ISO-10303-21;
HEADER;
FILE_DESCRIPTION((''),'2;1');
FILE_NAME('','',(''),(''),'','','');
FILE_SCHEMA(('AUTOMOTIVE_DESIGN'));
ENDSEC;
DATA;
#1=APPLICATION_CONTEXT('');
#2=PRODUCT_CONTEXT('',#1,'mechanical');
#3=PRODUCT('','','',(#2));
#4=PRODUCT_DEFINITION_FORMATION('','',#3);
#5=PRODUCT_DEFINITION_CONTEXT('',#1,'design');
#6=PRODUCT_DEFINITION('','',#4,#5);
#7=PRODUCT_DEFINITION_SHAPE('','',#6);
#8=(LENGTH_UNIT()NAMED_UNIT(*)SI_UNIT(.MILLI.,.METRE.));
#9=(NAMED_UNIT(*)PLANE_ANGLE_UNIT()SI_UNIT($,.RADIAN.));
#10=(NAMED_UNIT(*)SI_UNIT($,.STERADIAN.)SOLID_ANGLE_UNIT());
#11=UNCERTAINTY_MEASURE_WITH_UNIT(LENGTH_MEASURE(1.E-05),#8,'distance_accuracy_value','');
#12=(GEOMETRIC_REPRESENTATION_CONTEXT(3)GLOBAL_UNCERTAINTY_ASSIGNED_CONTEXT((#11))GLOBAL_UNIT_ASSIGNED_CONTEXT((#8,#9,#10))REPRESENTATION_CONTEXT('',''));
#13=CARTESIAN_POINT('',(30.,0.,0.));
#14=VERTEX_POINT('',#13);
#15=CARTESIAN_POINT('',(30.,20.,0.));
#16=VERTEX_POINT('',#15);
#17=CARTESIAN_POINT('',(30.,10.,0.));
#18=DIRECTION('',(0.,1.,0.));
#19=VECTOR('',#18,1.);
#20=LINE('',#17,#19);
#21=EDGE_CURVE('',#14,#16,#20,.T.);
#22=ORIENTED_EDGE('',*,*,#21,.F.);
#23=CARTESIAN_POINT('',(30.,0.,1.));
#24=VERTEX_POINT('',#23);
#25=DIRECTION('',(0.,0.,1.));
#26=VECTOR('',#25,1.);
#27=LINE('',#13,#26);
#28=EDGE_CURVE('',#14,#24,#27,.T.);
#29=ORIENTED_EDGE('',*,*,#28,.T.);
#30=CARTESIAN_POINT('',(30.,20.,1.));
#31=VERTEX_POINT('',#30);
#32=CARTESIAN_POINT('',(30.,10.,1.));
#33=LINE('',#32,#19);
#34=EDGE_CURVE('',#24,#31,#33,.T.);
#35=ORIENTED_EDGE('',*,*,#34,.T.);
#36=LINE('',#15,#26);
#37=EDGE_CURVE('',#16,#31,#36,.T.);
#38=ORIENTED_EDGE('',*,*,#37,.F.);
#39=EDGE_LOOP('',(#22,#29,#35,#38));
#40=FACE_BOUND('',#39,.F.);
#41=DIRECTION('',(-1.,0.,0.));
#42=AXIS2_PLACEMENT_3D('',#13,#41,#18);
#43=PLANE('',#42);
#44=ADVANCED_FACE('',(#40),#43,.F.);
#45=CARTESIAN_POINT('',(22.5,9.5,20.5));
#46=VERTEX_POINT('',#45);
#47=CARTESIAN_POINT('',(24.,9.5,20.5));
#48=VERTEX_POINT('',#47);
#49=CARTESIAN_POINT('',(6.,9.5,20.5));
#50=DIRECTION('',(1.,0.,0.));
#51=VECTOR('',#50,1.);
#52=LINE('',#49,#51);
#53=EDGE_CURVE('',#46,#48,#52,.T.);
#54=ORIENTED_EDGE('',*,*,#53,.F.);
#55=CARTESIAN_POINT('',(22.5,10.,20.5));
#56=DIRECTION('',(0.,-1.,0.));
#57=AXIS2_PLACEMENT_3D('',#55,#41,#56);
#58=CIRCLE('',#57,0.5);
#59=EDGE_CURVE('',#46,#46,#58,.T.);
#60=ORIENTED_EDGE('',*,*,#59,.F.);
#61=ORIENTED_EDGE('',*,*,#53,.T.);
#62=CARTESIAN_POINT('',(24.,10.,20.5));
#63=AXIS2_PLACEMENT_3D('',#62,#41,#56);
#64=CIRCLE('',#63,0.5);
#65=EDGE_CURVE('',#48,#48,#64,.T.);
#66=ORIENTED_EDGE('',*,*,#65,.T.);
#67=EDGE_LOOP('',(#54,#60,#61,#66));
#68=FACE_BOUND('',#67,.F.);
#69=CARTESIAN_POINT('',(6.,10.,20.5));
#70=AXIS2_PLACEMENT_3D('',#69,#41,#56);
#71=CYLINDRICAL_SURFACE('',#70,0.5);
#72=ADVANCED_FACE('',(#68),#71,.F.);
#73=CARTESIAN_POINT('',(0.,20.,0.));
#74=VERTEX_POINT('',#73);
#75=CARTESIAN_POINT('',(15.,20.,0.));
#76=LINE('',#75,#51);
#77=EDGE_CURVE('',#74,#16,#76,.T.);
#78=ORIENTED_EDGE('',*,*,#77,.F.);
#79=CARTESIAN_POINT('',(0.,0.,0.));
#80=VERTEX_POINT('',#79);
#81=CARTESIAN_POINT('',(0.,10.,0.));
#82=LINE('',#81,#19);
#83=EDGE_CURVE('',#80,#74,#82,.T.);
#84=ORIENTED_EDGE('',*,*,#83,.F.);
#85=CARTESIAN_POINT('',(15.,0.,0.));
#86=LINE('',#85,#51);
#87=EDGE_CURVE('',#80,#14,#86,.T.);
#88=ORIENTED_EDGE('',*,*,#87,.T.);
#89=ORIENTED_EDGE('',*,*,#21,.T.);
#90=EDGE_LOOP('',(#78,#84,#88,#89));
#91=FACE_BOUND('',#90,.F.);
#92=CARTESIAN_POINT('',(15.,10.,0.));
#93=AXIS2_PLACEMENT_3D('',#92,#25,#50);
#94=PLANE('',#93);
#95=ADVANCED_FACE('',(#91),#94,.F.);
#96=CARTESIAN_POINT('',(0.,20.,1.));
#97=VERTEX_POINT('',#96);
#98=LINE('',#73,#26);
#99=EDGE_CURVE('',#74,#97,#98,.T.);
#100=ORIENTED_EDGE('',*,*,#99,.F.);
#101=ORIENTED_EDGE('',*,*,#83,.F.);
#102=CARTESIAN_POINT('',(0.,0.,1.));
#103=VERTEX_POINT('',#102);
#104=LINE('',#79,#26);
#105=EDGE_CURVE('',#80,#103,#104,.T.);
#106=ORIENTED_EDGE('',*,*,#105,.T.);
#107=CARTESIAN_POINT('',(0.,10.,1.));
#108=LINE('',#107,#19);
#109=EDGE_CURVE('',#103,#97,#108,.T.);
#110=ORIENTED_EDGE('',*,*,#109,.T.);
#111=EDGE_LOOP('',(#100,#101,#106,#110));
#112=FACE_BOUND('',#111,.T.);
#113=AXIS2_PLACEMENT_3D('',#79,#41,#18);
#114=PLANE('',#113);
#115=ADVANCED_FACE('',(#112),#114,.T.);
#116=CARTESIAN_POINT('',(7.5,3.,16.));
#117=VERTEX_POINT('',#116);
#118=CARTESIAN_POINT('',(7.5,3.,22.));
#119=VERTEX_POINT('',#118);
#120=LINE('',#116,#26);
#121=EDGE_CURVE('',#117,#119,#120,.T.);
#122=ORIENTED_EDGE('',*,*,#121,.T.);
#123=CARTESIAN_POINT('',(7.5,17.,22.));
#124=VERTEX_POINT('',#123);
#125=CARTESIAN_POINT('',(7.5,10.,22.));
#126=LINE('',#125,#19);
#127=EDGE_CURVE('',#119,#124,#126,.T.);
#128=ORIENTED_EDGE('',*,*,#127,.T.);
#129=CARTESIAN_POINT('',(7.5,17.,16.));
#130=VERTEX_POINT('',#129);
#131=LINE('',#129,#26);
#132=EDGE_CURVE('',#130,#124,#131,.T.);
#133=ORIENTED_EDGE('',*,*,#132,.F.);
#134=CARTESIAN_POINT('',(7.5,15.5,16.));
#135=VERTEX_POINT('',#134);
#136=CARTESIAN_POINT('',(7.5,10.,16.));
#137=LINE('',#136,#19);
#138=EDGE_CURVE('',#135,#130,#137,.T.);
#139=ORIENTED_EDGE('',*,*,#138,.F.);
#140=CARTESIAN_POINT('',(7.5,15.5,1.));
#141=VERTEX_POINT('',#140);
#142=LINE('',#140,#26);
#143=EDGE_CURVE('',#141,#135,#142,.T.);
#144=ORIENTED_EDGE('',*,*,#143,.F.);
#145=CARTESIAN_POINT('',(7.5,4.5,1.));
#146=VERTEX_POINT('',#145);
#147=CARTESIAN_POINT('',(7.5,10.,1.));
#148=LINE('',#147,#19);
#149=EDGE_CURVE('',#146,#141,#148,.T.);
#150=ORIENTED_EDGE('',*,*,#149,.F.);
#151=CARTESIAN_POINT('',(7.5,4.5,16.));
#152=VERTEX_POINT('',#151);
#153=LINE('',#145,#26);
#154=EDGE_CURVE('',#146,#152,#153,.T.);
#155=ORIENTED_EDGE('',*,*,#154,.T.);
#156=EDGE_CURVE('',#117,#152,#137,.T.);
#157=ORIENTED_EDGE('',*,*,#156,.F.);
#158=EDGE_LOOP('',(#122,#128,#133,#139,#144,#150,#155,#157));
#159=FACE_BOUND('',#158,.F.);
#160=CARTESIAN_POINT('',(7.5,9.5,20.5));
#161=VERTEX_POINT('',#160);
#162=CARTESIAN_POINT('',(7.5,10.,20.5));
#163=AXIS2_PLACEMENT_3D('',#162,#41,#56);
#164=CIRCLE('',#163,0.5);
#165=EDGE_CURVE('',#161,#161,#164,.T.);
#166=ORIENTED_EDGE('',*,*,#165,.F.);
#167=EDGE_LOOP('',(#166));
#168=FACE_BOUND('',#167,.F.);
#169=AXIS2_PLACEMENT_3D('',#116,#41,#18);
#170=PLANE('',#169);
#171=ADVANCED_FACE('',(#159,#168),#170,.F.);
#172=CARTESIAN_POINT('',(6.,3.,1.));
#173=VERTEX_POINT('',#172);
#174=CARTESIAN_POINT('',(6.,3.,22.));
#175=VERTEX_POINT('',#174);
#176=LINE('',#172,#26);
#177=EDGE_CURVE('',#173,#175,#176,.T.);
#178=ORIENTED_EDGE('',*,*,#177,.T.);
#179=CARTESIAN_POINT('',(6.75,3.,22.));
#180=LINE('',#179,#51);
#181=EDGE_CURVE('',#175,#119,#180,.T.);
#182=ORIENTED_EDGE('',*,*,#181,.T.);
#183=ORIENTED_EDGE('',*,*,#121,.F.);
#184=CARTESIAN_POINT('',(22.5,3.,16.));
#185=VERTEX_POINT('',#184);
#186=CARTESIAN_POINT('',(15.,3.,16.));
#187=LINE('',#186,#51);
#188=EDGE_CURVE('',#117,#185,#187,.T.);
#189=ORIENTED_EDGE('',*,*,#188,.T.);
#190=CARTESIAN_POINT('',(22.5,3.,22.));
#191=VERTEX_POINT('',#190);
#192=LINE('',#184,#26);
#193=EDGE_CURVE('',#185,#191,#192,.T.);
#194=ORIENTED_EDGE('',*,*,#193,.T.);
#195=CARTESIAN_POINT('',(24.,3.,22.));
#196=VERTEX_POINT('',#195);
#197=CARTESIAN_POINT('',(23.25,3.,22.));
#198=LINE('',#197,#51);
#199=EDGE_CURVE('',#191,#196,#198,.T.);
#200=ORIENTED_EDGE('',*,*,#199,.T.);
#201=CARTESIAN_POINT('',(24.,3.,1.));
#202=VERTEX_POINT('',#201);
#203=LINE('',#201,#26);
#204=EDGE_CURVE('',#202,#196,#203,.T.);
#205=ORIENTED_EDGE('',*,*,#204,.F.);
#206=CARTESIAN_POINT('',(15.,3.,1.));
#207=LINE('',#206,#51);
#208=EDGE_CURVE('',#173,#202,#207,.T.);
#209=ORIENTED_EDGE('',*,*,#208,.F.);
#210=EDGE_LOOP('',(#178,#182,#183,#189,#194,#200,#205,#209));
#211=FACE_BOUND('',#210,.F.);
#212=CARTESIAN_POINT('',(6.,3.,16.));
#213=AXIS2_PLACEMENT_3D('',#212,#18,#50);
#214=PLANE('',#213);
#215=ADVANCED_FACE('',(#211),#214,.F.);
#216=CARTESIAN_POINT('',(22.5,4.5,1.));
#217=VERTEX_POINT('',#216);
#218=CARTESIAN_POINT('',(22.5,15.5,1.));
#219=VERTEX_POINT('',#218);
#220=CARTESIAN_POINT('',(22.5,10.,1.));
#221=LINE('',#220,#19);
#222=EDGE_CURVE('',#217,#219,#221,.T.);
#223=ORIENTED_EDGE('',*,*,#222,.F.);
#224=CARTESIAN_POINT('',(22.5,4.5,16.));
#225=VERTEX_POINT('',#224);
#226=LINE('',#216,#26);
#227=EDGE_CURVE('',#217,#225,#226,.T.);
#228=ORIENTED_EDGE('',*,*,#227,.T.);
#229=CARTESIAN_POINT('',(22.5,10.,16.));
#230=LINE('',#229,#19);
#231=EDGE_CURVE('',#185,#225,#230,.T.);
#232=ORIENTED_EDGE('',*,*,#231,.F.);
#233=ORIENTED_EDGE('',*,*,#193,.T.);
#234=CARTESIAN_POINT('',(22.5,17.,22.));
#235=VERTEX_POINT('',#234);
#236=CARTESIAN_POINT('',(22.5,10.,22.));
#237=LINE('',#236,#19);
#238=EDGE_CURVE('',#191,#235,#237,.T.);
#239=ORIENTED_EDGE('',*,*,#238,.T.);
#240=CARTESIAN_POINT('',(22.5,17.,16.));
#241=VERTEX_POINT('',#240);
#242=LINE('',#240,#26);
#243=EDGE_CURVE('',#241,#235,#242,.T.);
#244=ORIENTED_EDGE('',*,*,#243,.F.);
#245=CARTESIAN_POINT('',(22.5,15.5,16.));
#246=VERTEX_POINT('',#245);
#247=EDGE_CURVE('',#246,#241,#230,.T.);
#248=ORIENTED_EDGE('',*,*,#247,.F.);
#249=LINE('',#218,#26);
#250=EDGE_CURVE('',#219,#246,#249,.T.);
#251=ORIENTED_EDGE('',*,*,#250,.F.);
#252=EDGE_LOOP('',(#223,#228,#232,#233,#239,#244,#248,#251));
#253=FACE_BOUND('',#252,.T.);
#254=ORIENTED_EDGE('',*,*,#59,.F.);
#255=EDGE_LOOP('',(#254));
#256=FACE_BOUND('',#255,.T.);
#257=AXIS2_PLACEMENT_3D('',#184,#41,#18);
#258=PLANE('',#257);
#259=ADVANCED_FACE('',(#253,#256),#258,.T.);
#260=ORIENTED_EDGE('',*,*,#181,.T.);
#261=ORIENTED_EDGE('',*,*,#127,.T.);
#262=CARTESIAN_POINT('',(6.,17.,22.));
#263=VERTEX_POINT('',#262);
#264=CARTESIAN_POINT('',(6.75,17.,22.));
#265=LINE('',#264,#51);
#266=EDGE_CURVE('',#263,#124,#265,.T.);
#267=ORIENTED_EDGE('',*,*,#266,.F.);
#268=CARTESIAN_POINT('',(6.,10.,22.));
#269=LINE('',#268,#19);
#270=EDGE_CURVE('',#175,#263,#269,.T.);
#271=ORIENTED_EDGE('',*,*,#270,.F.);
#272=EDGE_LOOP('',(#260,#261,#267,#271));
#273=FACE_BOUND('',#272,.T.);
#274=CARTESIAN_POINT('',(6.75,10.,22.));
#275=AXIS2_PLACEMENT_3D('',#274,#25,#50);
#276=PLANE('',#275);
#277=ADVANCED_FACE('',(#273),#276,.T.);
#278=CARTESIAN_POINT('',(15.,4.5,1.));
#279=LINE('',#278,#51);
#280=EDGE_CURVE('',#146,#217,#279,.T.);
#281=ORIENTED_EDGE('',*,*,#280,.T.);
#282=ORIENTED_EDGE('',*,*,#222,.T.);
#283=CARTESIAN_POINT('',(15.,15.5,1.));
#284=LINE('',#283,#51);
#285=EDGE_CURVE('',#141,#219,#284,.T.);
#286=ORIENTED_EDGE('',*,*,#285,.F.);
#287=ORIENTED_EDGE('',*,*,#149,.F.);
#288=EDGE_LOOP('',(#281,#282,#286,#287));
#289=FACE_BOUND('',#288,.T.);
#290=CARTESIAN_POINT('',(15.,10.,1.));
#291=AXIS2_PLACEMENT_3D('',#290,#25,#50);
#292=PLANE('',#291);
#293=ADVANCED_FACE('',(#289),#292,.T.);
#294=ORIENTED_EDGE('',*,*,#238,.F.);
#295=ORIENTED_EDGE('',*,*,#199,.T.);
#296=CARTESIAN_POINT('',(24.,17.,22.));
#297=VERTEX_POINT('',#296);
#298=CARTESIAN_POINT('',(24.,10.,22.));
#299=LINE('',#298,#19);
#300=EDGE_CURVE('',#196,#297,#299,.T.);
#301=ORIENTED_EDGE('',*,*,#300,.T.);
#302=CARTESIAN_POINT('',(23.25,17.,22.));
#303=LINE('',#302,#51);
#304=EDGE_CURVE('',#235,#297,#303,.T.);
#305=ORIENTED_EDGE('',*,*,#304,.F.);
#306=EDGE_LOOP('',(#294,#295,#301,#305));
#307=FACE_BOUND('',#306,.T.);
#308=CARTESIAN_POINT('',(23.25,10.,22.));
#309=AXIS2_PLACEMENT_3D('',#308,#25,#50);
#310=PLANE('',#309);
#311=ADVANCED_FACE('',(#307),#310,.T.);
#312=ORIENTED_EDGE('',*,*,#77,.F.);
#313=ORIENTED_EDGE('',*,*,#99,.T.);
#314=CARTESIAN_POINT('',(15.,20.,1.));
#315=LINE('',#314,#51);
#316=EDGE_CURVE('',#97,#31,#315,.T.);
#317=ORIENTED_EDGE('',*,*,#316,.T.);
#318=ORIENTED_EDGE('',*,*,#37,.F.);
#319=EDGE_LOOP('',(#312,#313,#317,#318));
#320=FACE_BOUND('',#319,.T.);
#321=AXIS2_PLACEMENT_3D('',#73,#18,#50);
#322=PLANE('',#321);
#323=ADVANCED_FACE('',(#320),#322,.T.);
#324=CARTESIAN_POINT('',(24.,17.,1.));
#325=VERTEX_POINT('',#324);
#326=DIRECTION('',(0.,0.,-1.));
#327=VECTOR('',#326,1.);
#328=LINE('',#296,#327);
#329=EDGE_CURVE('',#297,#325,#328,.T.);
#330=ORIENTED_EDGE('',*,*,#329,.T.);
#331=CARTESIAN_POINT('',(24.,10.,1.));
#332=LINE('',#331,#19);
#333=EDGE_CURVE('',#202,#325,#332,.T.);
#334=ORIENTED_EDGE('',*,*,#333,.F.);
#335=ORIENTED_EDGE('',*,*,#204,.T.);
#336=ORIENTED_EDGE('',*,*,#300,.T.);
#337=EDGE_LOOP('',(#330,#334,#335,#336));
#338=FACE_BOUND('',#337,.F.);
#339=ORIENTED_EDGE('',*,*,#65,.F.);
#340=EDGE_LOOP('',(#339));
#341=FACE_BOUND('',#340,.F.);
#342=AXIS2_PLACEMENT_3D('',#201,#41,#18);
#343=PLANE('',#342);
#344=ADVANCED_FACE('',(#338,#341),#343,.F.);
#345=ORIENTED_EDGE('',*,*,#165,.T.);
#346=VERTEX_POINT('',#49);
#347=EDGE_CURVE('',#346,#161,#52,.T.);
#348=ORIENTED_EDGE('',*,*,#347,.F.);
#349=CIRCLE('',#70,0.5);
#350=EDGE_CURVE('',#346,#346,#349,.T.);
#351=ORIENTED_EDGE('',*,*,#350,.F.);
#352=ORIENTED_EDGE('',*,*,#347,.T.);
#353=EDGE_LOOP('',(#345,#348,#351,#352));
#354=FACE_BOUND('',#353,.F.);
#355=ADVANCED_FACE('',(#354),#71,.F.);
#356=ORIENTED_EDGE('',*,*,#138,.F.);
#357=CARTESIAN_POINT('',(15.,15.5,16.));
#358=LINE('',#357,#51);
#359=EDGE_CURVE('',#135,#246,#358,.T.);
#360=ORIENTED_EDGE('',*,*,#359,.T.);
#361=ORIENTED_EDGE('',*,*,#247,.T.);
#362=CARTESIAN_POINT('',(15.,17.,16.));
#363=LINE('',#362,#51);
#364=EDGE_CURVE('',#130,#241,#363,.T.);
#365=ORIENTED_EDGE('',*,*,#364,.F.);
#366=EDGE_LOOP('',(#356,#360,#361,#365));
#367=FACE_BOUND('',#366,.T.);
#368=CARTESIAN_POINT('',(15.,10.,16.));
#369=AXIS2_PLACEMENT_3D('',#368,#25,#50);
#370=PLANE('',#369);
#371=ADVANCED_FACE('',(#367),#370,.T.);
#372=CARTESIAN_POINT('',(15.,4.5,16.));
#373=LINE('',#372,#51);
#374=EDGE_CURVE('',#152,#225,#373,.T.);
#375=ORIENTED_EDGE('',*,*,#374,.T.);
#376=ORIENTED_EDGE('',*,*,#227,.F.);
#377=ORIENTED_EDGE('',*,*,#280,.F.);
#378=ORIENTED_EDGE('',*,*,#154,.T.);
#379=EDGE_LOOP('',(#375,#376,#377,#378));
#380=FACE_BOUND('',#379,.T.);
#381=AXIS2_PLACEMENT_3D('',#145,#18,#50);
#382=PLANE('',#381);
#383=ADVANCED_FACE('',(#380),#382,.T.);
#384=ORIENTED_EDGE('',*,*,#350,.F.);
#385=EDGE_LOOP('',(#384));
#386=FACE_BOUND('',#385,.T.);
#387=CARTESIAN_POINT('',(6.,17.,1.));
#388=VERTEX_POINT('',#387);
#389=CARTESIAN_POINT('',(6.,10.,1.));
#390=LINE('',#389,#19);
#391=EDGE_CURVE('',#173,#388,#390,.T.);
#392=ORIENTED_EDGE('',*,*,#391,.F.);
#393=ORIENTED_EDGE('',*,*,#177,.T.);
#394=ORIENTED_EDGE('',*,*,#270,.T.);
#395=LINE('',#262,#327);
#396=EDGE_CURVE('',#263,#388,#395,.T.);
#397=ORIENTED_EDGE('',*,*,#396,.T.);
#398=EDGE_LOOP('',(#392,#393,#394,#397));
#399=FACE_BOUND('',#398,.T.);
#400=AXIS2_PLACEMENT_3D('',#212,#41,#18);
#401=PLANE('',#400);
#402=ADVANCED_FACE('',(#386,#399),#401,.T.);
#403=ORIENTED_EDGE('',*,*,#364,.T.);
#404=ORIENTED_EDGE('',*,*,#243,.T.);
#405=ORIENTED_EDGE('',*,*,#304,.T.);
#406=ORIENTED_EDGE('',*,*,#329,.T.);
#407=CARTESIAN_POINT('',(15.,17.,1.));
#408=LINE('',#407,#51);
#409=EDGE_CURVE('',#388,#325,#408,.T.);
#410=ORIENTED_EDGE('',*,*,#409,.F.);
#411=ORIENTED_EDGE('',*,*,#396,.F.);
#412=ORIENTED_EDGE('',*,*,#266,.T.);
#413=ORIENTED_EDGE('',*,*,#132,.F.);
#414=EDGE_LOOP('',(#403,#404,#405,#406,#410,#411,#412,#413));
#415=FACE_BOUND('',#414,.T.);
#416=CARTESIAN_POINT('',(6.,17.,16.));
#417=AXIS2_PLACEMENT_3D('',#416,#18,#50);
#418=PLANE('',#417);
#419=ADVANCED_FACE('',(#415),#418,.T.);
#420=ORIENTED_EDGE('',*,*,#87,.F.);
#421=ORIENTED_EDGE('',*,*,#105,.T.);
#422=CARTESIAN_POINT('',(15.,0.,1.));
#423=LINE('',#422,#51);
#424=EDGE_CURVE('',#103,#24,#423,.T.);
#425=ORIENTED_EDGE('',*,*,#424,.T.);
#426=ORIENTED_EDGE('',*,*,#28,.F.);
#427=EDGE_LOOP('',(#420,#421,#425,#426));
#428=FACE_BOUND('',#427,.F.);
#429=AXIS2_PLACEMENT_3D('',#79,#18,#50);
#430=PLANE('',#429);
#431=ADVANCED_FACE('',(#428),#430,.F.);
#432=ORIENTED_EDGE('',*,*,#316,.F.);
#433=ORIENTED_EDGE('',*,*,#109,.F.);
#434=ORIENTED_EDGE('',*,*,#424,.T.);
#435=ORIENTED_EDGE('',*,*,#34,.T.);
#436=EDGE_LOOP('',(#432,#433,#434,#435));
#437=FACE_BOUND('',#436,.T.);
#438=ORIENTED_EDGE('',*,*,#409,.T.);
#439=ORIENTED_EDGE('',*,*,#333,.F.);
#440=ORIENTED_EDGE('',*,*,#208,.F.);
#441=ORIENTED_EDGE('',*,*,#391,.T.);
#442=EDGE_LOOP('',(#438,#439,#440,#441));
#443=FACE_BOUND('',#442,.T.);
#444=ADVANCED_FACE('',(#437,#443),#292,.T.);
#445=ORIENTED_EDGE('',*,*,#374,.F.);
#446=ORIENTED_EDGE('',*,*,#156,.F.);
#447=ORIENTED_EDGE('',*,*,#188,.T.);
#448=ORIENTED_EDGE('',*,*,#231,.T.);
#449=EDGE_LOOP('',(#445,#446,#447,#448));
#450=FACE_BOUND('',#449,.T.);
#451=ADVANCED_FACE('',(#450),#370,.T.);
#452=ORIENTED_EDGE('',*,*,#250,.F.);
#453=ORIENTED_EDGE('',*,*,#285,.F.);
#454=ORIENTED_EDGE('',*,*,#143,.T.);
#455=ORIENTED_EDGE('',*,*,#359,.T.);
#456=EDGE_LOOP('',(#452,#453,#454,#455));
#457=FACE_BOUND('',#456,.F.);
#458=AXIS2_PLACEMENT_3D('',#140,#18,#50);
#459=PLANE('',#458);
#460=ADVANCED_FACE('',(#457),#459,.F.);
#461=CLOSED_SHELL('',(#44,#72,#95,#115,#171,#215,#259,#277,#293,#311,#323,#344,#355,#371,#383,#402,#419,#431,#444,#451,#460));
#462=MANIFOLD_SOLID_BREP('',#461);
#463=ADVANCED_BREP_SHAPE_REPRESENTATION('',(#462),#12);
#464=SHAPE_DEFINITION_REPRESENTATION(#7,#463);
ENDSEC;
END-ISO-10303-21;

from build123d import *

# Parameters (mm, degrees)
F0_W     = 30
F0_H     = 20
F1_DEPTH = 1
F2_W     = 18
F2_H     = 14
F2_W_2   = 15
F2_H_2   = 11
F3_DEPTH = 15
F4_W     = 1.5
F4_H     = 14
F5_DEPTH = 6
F6_R     = 0.5
F7_DEPTH = 24.001


with BuildPart() as f1:
    # F0 (on Top) → F1 (new body)
    with BuildSketch(Plane.XY):
        with Locations((15, 10)):
            Rectangle(F0_W, F0_H)
    extrude(amount=F1_DEPTH)

    # F2 (on face) → F3 (join)
    with BuildSketch(Plane.XY.offset(1)):
        with Locations((15, 10)):
            Rectangle(F2_W, F2_H)
        with Locations((15, 10)):
            Rectangle(F2_W_2, F2_H_2, mode=Mode.SUBTRACT)
    extrude(amount=F3_DEPTH)

    # F4 (on face) → F5 (join)
    with BuildSketch(Plane.XY.offset(16)):
        with Locations((6.75, 10)):
            Rectangle(F4_W, F4_H)
        with Locations((23.25, 10)):
            Rectangle(F4_W, F4_H)
    extrude(amount=F5_DEPTH)

    # F6 (on face) → F7 (cut, through all)
    with BuildSketch(Plane(origin=(6, 0, 0), x_dir=(0, -1, 0), z_dir=(-1, 0, 0))):
        with Locations((-10, 20.5)):
            Circle(F6_R)
    extrude(amount=-F7_DEPTH, mode=Mode.SUBTRACT)


solid = f1.part
